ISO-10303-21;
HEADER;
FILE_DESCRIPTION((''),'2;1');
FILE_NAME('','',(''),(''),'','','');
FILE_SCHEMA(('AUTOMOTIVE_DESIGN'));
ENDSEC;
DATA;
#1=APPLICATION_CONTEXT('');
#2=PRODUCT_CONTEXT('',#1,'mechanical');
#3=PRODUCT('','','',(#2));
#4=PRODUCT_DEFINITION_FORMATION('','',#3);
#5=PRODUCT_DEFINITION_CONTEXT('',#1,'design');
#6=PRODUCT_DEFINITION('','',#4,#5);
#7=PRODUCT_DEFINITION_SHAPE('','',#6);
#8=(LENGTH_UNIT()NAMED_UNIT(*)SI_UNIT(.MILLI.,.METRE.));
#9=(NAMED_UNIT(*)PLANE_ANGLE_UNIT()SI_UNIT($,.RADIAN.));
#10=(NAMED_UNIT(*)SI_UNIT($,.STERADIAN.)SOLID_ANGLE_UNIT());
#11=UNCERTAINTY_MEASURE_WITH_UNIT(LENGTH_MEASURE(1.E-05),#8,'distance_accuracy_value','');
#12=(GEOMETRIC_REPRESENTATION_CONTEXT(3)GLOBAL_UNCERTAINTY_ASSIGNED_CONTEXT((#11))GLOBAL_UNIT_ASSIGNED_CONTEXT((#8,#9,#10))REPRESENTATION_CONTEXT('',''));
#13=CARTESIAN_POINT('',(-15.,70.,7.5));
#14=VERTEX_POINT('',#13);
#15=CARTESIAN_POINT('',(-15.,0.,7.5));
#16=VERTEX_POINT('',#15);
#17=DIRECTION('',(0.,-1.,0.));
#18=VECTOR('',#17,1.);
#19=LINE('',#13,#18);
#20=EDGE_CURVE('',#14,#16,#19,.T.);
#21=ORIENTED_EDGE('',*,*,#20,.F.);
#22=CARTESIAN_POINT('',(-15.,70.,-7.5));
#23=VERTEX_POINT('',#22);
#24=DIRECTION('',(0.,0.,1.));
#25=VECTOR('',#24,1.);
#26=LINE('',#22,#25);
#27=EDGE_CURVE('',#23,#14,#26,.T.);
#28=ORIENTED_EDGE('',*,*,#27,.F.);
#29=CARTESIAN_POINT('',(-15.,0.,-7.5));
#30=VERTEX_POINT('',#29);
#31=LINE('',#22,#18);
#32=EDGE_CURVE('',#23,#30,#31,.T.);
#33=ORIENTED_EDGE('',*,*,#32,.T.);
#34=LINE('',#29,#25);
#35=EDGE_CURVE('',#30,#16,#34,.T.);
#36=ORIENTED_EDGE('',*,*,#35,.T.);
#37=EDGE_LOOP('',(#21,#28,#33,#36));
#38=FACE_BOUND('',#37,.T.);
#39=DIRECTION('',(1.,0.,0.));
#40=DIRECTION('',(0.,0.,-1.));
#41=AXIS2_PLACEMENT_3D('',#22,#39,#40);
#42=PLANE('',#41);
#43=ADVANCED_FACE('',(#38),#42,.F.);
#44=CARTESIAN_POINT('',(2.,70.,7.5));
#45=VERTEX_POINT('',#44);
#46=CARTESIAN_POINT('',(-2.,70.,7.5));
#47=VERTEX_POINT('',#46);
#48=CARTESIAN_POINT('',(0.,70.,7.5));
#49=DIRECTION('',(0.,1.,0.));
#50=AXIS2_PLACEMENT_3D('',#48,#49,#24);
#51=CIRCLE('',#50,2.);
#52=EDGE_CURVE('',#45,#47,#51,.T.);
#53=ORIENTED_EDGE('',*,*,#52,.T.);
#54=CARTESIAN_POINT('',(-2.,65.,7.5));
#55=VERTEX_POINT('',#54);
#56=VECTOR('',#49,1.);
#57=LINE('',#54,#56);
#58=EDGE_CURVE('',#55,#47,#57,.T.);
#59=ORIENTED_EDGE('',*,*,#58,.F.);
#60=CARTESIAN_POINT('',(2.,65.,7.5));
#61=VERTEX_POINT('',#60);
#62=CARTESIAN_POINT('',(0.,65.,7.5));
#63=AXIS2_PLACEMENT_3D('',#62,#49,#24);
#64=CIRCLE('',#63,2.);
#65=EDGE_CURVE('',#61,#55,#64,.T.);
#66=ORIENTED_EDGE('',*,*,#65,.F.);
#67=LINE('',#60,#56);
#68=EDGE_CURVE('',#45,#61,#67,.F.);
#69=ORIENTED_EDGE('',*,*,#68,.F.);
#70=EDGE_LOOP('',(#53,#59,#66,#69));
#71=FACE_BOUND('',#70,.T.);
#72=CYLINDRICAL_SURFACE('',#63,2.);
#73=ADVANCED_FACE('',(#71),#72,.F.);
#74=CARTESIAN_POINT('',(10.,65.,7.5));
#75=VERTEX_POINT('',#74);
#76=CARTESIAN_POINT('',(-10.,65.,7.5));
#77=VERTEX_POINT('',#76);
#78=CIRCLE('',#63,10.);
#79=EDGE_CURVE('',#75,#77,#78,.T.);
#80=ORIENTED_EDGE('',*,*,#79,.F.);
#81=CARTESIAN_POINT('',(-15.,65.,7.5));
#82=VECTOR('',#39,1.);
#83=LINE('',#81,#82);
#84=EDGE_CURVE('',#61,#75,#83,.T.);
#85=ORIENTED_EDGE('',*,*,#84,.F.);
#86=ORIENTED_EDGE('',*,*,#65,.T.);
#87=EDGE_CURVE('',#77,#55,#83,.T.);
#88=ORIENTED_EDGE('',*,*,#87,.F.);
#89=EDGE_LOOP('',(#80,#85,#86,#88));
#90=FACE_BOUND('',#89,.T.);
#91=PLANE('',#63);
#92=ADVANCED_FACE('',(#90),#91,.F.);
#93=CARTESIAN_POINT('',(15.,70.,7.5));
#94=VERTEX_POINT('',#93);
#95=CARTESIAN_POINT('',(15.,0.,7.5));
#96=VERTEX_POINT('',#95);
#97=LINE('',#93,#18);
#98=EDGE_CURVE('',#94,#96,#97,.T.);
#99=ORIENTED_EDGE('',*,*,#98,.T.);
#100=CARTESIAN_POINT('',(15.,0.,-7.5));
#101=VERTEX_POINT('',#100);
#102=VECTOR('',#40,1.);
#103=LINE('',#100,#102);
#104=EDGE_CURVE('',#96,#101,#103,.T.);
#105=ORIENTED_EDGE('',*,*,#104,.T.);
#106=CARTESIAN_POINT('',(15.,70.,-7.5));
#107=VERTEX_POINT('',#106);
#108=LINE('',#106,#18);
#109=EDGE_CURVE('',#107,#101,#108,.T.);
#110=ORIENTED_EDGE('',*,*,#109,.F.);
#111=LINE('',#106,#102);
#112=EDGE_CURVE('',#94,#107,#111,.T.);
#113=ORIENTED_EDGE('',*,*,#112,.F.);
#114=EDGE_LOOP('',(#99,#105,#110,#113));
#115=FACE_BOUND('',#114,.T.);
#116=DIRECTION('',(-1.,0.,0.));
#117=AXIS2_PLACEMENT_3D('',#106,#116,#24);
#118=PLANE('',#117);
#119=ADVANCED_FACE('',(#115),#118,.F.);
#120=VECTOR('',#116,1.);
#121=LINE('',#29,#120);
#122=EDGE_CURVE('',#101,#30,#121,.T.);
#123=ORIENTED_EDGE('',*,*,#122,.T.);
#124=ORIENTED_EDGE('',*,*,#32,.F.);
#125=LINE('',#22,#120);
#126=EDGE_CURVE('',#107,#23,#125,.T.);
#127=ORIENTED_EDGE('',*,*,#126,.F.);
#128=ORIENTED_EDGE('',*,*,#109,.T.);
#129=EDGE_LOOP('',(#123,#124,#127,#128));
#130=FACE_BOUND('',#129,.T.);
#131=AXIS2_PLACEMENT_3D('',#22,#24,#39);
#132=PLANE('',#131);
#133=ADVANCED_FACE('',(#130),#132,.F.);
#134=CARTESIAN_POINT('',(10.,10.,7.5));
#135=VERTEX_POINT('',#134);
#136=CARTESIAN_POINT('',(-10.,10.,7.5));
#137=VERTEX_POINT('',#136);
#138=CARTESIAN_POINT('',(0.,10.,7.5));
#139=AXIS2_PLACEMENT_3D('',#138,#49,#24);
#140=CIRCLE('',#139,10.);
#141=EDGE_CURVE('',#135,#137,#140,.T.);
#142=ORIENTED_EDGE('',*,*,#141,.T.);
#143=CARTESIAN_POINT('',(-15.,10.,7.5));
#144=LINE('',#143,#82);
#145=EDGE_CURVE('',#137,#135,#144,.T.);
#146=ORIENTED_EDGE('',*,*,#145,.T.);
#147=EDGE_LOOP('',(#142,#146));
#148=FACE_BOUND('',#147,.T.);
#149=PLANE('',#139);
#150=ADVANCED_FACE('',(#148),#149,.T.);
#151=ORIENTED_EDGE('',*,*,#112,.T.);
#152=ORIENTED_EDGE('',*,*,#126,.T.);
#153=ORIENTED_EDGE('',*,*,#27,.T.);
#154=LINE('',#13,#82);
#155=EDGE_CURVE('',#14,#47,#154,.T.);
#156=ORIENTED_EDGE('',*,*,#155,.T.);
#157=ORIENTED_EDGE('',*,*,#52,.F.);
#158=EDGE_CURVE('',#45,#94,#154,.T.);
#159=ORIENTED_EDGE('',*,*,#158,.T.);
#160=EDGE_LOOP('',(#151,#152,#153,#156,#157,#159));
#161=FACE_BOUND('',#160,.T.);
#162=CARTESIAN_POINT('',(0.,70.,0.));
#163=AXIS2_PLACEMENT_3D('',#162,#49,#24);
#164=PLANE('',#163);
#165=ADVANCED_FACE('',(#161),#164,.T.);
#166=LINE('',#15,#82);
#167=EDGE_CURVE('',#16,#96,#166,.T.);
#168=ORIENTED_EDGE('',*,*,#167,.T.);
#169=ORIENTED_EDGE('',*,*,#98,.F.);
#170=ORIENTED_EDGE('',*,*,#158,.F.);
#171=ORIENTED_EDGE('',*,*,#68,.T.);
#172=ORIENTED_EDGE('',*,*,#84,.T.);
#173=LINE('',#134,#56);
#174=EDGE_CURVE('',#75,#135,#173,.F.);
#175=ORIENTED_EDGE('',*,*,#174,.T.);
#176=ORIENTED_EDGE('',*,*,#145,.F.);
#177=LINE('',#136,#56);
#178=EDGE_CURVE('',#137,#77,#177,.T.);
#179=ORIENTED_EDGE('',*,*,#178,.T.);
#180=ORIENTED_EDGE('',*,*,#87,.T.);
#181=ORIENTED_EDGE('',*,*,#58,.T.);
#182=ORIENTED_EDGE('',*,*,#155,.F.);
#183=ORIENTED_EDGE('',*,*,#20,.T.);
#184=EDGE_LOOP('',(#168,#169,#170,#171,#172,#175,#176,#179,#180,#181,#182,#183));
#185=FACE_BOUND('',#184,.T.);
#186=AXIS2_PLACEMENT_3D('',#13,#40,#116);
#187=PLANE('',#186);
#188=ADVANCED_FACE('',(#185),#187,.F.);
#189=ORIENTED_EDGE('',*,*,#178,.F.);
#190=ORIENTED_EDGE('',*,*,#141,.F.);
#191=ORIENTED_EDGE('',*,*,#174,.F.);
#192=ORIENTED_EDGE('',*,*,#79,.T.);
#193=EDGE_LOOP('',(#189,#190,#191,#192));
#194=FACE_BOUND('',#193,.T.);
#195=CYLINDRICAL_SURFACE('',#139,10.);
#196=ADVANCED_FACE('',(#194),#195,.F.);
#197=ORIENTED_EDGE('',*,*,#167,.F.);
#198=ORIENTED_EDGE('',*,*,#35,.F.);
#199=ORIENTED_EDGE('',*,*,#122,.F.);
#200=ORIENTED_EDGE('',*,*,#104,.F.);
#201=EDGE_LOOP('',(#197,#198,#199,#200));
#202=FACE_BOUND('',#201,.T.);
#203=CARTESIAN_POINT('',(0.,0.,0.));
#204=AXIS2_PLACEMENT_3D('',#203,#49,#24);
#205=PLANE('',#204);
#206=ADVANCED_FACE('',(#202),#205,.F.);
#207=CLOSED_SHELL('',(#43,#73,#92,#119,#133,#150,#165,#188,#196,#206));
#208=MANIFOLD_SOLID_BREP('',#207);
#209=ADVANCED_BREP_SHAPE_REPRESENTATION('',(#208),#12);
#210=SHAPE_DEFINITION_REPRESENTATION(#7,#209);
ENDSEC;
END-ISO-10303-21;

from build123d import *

# Parameters (mm, degrees)
SKETCH1_W           = 30
SKETCH1_H           = 15
BOSS_EXTRUDE1_DEPTH = 70
SKETCH2_R           = 2
CUT_EXTRUDE1_DEPTH  = 5
CUT_EXTRUDE2_START  = -5
SKETCH3_R           = 10
CUT_EXTRUDE2_DEPTH  = 55


with BuildPart() as part:
    # Sketch1 → Boss-Extrude1 (new body)
    with BuildSketch(Plane(origin=(0, 0, 0), x_dir=(1, 0, 0), z_dir=(0, 1, 0))):
        Rectangle(SKETCH1_W, SKETCH1_H)
    extrude(amount=BOSS_EXTRUDE1_DEPTH)

    # Sketch2 → Cut-Extrude1 (cut)
    with BuildSketch(Plane(origin=(0, 70, 0), x_dir=(1, 0, 0), z_dir=(0, 1, 0))):
        with Locations((0, -7.5)):
            Circle(SKETCH2_R)
    extrude(amount=-CUT_EXTRUDE1_DEPTH, mode=Mode.SUBTRACT)

    # Sketch3 → Cut-Extrude2 (cut)
    with BuildSketch(Plane(origin=(0, 70, 0), x_dir=(1, 0, 0), z_dir=(0, 1, 0)).offset(CUT_EXTRUDE2_START)):
        with Locations((0, -7.5)):
            Circle(SKETCH3_R)
    extrude(amount=-CUT_EXTRUDE2_DEPTH, mode=Mode.SUBTRACT)


solid = part.part
